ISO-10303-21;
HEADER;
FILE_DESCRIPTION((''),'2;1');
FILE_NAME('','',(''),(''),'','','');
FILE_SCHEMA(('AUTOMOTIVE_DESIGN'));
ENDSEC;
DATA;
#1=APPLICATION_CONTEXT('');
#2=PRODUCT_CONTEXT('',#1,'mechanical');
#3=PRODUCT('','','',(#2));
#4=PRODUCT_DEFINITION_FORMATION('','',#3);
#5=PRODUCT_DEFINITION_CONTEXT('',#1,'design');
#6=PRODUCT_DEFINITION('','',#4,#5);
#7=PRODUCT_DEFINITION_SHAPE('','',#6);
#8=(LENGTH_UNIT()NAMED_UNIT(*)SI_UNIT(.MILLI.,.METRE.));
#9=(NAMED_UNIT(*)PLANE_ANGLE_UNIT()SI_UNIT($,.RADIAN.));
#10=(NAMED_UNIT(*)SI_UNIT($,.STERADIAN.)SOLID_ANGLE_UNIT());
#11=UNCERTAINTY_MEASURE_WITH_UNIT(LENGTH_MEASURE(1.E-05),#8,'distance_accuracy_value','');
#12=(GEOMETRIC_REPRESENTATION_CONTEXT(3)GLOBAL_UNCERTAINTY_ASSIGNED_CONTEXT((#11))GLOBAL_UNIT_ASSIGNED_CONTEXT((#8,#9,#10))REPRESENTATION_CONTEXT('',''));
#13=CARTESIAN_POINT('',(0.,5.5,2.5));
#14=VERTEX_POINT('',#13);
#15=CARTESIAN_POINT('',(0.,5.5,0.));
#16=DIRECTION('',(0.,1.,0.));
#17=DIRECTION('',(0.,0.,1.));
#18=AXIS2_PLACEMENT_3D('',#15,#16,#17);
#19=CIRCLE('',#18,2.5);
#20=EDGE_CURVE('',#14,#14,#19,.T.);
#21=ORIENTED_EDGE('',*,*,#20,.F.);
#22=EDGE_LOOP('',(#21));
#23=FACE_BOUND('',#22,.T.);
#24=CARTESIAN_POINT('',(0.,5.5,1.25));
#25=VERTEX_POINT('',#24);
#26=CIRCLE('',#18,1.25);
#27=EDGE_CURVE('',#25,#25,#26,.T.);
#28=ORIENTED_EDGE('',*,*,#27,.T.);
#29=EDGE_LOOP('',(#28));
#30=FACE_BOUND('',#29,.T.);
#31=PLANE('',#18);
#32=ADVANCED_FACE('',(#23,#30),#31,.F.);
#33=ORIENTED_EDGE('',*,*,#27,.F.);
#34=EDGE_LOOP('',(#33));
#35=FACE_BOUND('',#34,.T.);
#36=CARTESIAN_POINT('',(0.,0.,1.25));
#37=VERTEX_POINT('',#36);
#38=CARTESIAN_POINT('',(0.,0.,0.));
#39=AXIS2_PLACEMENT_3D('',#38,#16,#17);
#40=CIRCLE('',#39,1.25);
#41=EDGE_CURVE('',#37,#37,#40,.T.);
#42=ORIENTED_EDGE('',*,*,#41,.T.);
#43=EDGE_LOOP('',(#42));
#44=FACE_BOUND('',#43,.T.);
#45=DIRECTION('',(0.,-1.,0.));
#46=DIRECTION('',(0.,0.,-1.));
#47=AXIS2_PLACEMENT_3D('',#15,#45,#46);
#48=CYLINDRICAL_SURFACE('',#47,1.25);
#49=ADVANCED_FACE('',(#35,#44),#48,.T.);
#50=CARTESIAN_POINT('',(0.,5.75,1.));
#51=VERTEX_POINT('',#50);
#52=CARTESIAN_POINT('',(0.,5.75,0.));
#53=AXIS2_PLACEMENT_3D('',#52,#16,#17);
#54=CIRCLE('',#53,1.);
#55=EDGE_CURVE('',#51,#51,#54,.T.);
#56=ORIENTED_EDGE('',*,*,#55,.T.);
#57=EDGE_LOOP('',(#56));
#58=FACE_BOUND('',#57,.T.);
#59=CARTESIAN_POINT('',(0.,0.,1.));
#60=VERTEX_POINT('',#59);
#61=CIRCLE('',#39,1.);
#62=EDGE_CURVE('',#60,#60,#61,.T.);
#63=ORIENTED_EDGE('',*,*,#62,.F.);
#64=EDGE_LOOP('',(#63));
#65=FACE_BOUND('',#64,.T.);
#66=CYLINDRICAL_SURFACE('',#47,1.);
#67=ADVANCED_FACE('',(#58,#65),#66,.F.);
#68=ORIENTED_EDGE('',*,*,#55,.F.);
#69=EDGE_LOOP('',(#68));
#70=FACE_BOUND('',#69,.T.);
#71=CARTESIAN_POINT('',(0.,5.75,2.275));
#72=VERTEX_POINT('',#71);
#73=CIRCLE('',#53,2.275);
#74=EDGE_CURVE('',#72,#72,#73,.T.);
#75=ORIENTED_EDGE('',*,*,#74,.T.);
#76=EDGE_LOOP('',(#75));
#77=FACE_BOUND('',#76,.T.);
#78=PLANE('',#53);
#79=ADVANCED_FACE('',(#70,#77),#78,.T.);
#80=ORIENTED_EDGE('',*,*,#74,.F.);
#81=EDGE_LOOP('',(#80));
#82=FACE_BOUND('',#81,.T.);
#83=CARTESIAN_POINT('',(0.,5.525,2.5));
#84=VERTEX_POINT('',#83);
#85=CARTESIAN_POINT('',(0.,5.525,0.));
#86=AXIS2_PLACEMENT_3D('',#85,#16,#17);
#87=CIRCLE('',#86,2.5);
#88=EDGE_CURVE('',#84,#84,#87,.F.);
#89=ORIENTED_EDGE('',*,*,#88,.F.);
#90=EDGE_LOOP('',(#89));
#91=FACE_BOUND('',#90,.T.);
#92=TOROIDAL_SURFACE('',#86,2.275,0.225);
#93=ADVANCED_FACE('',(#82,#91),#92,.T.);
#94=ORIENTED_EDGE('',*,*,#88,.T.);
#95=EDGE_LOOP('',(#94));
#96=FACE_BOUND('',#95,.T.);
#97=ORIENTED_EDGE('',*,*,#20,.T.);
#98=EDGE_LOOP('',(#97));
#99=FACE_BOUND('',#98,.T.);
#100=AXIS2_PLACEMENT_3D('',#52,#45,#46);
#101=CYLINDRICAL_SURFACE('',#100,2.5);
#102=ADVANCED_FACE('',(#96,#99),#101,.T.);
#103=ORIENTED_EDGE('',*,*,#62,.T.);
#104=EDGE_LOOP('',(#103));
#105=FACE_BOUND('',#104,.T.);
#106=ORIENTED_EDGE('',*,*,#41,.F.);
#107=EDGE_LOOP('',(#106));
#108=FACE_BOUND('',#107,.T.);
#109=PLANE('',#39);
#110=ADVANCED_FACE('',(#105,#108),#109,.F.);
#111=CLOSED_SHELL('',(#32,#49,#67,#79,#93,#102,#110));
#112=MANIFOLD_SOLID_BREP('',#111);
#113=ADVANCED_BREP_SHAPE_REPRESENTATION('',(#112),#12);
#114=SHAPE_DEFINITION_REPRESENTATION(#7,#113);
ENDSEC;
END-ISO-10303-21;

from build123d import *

# Parameters (mm, degrees)
SKETCH1_R           = 1.25
SKETCH1_R_2         = 1
BOSS_EXTRUDE1_DEPTH = 5.5
SKETCH2_R           = 2.5
SKETCH2_R_2         = 1
BOSS_EXTRUDE2_DEPTH = 0.25
FILLET1_R           = 0.225


with BuildPart() as part:
    # Sketch1 → Boss-Extrude1 (new body)
    with BuildSketch(Plane(origin=(0, 0, 0), x_dir=(1, 0, 0), z_dir=(0, 1, 0))):
        Circle(SKETCH1_R)
        Circle(SKETCH1_R_2, mode=Mode.SUBTRACT)
    extrude(amount=BOSS_EXTRUDE1_DEPTH)

    # Sketch2 → Boss-Extrude2 (add)
    with BuildSketch(Plane(origin=(0, 5.5, 0), x_dir=(1, 0, 0), z_dir=(0, 1, 0))):
        Circle(SKETCH2_R)
        Circle(SKETCH2_R_2, mode=Mode.SUBTRACT)
    extrude(amount=BOSS_EXTRUDE2_DEPTH)

    # Fillet1
    fillet1_edges = [part.edges().sort_by_distance(p)[0] for p in [
        (-2.5, 5.75, 0),
    ]]
    fillet(fillet1_edges, radius=FILLET1_R)


solid = part.part
